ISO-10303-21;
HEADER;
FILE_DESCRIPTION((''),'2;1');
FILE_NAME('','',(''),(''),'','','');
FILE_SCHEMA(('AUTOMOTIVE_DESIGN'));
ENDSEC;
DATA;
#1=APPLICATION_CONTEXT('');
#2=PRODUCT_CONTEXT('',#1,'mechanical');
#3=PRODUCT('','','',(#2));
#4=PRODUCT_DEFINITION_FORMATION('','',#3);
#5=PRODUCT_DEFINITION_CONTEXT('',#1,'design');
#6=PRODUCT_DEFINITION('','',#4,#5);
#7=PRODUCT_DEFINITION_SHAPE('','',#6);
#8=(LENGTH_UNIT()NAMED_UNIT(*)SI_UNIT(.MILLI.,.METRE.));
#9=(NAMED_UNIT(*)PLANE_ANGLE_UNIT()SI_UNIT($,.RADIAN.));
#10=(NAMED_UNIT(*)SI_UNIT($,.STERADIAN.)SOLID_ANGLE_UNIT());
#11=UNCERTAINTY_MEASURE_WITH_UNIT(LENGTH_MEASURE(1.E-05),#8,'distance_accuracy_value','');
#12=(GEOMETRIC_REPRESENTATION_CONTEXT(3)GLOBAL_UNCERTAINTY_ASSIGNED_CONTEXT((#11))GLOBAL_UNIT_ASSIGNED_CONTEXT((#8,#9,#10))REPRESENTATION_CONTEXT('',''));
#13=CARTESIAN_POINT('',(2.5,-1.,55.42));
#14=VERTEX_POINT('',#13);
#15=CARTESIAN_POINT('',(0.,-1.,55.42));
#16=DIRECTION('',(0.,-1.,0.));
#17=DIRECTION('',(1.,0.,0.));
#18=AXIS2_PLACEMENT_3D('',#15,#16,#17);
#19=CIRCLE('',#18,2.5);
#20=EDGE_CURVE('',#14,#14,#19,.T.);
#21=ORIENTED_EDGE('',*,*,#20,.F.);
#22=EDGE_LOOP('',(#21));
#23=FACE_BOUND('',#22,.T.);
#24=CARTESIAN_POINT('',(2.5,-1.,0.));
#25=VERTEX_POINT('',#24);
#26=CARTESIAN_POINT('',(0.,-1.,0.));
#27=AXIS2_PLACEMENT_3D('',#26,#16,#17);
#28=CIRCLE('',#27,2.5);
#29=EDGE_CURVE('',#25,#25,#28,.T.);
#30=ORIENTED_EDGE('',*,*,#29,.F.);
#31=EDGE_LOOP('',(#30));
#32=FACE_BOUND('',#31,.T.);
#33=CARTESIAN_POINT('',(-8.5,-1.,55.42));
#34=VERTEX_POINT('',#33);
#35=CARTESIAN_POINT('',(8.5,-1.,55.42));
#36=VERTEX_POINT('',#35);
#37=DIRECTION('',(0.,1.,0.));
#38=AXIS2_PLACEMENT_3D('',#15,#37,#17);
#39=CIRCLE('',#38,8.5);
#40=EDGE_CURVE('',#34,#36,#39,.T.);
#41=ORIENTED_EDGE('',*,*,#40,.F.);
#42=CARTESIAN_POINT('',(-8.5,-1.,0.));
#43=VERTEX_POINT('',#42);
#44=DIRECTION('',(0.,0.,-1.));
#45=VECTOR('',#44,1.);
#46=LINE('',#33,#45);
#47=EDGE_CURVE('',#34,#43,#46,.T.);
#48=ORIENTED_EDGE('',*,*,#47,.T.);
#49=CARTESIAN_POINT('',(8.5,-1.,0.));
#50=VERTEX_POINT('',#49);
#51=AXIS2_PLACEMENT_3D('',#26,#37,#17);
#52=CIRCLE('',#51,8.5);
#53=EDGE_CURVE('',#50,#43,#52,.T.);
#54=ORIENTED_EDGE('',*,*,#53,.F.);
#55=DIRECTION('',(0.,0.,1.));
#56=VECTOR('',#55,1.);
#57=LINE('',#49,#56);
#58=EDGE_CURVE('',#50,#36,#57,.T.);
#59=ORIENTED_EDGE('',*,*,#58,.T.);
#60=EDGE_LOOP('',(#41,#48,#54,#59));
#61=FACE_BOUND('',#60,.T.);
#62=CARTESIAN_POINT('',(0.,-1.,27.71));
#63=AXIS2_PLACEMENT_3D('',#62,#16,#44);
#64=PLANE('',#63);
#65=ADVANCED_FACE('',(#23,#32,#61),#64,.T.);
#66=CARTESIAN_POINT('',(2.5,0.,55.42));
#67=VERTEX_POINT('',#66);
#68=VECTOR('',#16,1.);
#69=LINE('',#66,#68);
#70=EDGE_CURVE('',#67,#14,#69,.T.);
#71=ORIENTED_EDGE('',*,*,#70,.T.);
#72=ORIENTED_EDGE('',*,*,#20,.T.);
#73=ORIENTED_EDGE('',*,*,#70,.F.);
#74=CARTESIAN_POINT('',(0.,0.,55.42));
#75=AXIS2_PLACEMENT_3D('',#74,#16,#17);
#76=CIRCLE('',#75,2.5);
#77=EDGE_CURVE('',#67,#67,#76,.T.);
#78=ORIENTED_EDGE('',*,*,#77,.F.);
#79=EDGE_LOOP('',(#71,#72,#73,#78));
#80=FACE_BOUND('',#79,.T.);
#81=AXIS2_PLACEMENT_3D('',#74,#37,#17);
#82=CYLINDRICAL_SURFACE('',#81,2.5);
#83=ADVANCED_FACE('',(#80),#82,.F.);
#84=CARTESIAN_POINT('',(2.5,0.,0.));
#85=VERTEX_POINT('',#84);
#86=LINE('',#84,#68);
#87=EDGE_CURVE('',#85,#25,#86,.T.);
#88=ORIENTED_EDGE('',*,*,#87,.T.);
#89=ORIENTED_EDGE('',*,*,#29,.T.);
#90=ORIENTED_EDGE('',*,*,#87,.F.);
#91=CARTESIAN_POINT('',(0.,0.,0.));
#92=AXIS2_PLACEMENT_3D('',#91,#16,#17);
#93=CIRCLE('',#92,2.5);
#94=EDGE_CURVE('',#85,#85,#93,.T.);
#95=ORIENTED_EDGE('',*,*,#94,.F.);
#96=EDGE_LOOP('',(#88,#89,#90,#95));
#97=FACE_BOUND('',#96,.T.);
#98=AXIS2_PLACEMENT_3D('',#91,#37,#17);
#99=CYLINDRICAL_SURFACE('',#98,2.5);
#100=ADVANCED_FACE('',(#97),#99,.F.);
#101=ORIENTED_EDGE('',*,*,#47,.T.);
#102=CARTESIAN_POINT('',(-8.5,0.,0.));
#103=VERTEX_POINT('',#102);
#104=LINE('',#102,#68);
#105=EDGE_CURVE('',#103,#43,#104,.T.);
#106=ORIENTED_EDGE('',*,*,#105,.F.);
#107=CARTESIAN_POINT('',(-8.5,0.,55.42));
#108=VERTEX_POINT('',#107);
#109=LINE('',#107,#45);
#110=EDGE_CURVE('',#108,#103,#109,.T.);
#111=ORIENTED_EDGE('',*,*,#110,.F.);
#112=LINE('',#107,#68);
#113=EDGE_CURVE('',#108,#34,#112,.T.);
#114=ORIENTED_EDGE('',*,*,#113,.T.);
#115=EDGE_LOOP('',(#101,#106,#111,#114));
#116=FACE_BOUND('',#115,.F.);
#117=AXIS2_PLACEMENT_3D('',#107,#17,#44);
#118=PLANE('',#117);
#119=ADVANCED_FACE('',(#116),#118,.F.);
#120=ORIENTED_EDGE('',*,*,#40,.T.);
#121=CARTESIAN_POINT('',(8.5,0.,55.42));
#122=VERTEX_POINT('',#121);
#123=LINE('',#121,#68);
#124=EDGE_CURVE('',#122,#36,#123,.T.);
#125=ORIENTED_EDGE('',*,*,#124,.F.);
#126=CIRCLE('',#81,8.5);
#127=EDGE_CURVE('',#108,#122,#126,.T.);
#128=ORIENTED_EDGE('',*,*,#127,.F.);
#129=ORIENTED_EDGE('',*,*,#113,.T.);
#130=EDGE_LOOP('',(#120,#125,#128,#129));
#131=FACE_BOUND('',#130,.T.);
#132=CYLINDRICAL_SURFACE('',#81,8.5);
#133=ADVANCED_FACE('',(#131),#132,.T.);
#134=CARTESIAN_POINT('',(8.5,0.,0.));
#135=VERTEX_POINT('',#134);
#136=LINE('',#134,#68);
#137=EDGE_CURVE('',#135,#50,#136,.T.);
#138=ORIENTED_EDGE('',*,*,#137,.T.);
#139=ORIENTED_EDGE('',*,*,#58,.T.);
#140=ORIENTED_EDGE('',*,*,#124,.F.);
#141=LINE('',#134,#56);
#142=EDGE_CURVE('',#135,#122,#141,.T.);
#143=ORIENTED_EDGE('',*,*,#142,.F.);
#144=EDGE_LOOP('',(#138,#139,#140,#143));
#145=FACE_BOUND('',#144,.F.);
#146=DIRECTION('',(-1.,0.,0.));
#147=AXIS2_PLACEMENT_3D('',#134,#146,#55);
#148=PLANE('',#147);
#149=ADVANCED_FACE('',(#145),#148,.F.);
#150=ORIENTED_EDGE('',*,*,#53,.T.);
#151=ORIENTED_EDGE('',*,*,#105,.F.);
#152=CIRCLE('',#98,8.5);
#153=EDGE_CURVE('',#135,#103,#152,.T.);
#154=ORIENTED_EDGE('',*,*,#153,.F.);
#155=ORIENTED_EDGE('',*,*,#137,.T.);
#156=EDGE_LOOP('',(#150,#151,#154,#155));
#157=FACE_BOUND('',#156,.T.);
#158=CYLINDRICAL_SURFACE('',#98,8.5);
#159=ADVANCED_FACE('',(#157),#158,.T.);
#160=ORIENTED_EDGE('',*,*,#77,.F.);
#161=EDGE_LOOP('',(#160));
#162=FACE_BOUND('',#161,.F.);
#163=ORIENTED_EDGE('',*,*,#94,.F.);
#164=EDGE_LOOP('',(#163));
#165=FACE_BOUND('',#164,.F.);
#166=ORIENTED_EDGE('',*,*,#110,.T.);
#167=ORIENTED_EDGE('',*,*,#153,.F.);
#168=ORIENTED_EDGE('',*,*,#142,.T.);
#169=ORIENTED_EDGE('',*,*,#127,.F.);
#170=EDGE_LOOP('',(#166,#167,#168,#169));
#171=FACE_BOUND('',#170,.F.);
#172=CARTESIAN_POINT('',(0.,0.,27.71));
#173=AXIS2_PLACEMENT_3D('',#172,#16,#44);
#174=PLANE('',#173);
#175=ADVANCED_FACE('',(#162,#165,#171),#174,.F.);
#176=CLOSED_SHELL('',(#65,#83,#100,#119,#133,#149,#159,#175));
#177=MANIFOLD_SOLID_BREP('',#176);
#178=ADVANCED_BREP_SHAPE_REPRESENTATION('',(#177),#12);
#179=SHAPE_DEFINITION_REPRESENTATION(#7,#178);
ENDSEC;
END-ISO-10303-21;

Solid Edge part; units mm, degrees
sketch "Sketch1" plane through (0, 0, 0) normal (0, -1, 0) x (1, 0, 0)
  line L0 (8.5, 0) -> (8.5, 55.42)
  line L1 (-8.5, 55.42) -> (-8.5, 0)
  arc A0 (-8.5, 55.42) -> (8.5, 55.42) centre (0, 55.42) cw
  arc A1 (8.5, 0) -> (-8.5, 0) centre (0, 0) cw
  circle A2 centre (0, 55.42) radius 2.5
  circle A3 centre (0, 0) radius 2.5
extrude "Protrusion1" add sketch "Sketch1" along normal blind 1
